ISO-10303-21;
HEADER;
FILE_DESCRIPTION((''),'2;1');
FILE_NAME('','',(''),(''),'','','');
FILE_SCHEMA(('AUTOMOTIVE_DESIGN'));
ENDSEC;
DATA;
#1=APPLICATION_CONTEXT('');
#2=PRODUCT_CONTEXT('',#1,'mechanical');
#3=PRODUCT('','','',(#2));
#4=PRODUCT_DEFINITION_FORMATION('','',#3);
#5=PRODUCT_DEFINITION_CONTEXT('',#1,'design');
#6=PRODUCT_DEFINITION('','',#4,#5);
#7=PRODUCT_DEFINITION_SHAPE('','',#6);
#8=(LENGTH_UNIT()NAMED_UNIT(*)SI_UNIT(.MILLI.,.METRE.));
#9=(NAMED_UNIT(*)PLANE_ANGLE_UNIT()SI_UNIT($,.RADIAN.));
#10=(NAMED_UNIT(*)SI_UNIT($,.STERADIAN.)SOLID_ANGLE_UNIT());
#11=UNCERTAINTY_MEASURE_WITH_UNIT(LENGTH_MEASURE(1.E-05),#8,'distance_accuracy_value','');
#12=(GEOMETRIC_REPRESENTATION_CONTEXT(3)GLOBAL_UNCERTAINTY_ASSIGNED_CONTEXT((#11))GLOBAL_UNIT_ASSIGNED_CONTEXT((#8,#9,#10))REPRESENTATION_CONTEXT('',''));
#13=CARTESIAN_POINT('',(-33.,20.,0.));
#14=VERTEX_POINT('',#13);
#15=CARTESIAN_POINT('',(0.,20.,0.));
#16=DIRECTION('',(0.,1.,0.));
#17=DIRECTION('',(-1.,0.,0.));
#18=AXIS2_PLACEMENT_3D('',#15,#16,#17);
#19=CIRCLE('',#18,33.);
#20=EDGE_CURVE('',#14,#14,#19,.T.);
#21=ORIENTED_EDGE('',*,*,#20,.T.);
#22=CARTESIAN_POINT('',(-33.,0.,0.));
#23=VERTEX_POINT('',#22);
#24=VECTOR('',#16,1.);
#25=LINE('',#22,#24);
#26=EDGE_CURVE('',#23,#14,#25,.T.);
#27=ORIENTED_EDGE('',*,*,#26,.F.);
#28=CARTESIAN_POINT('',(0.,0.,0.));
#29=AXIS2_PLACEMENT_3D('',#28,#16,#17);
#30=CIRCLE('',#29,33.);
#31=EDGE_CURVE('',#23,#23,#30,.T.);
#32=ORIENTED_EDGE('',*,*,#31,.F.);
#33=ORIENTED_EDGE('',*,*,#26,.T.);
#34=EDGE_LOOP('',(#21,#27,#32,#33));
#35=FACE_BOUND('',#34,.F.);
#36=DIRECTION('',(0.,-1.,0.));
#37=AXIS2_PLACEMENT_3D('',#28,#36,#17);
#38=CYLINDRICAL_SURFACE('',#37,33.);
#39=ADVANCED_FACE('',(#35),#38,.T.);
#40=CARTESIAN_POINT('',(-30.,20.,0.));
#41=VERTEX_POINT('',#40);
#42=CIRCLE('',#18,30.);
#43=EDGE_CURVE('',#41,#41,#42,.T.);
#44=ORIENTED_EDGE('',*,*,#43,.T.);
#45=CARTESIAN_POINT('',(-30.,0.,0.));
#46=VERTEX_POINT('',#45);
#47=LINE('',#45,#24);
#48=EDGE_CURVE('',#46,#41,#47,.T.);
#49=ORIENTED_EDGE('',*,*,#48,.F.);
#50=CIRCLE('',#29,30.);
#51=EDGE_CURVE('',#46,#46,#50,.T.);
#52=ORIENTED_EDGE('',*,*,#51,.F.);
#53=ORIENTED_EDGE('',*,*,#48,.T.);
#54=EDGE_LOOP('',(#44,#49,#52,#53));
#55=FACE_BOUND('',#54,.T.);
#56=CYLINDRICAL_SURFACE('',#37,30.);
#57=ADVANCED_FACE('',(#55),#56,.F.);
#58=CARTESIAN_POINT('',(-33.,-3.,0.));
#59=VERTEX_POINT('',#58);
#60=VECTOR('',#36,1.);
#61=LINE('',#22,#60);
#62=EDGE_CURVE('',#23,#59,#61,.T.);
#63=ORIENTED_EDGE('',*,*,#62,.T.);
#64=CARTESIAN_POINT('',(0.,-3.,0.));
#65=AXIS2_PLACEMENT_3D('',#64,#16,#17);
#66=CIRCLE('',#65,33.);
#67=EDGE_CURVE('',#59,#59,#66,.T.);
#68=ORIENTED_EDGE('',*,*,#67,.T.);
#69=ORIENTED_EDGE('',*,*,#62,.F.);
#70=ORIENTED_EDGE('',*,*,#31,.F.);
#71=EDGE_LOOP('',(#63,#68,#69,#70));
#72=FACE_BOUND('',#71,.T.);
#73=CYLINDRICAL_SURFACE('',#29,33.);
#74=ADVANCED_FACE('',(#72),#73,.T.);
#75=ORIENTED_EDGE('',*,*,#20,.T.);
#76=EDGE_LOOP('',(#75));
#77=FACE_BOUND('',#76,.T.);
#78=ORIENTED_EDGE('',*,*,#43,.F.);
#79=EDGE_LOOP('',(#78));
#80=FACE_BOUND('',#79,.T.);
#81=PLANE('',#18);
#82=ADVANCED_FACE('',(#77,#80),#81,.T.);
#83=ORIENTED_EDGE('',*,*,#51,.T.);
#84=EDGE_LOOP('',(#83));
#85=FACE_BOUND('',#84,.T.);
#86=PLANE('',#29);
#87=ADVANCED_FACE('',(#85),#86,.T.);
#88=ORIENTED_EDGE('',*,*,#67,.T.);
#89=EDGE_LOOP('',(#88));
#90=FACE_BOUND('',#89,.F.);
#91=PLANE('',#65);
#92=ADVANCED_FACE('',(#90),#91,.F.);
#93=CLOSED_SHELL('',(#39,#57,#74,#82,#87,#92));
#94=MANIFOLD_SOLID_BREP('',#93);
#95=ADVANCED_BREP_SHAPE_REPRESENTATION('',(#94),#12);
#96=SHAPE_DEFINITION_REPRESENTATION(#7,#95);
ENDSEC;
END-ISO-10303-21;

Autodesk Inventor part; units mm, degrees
ref_plane "YZ Plane" through (0, 0, 0) normal (1, 0, 0) x (0, 1, 0)
ref_plane "XZ Plane" through (0, 0, 0) normal (0, 1, 0) x (-1, 0, 0)
ref_plane "XY Plane" through (0, 0, 0) normal (0, 0, 1) x (1, 0, 0)
sketch "Sketch1" plane through (0, 0, 0) normal (0, 1, 0) x (-1, 0, 0)
  circle A0 centre (0, 0) radius 30
  circle A1 centre (0, 0) radius 33
  dimension "d0" = 60
  dimension "d1" = 3
extrude "Extrusion1" add sketch "Sketch1" along normal blind 20
extrude "Extrusion2" add sketch "Sketch1" against normal blind 3 contours A0 | A1
properties part number "3DP_TPU_Air_Purifier_Pipe_Mount_Cap"
